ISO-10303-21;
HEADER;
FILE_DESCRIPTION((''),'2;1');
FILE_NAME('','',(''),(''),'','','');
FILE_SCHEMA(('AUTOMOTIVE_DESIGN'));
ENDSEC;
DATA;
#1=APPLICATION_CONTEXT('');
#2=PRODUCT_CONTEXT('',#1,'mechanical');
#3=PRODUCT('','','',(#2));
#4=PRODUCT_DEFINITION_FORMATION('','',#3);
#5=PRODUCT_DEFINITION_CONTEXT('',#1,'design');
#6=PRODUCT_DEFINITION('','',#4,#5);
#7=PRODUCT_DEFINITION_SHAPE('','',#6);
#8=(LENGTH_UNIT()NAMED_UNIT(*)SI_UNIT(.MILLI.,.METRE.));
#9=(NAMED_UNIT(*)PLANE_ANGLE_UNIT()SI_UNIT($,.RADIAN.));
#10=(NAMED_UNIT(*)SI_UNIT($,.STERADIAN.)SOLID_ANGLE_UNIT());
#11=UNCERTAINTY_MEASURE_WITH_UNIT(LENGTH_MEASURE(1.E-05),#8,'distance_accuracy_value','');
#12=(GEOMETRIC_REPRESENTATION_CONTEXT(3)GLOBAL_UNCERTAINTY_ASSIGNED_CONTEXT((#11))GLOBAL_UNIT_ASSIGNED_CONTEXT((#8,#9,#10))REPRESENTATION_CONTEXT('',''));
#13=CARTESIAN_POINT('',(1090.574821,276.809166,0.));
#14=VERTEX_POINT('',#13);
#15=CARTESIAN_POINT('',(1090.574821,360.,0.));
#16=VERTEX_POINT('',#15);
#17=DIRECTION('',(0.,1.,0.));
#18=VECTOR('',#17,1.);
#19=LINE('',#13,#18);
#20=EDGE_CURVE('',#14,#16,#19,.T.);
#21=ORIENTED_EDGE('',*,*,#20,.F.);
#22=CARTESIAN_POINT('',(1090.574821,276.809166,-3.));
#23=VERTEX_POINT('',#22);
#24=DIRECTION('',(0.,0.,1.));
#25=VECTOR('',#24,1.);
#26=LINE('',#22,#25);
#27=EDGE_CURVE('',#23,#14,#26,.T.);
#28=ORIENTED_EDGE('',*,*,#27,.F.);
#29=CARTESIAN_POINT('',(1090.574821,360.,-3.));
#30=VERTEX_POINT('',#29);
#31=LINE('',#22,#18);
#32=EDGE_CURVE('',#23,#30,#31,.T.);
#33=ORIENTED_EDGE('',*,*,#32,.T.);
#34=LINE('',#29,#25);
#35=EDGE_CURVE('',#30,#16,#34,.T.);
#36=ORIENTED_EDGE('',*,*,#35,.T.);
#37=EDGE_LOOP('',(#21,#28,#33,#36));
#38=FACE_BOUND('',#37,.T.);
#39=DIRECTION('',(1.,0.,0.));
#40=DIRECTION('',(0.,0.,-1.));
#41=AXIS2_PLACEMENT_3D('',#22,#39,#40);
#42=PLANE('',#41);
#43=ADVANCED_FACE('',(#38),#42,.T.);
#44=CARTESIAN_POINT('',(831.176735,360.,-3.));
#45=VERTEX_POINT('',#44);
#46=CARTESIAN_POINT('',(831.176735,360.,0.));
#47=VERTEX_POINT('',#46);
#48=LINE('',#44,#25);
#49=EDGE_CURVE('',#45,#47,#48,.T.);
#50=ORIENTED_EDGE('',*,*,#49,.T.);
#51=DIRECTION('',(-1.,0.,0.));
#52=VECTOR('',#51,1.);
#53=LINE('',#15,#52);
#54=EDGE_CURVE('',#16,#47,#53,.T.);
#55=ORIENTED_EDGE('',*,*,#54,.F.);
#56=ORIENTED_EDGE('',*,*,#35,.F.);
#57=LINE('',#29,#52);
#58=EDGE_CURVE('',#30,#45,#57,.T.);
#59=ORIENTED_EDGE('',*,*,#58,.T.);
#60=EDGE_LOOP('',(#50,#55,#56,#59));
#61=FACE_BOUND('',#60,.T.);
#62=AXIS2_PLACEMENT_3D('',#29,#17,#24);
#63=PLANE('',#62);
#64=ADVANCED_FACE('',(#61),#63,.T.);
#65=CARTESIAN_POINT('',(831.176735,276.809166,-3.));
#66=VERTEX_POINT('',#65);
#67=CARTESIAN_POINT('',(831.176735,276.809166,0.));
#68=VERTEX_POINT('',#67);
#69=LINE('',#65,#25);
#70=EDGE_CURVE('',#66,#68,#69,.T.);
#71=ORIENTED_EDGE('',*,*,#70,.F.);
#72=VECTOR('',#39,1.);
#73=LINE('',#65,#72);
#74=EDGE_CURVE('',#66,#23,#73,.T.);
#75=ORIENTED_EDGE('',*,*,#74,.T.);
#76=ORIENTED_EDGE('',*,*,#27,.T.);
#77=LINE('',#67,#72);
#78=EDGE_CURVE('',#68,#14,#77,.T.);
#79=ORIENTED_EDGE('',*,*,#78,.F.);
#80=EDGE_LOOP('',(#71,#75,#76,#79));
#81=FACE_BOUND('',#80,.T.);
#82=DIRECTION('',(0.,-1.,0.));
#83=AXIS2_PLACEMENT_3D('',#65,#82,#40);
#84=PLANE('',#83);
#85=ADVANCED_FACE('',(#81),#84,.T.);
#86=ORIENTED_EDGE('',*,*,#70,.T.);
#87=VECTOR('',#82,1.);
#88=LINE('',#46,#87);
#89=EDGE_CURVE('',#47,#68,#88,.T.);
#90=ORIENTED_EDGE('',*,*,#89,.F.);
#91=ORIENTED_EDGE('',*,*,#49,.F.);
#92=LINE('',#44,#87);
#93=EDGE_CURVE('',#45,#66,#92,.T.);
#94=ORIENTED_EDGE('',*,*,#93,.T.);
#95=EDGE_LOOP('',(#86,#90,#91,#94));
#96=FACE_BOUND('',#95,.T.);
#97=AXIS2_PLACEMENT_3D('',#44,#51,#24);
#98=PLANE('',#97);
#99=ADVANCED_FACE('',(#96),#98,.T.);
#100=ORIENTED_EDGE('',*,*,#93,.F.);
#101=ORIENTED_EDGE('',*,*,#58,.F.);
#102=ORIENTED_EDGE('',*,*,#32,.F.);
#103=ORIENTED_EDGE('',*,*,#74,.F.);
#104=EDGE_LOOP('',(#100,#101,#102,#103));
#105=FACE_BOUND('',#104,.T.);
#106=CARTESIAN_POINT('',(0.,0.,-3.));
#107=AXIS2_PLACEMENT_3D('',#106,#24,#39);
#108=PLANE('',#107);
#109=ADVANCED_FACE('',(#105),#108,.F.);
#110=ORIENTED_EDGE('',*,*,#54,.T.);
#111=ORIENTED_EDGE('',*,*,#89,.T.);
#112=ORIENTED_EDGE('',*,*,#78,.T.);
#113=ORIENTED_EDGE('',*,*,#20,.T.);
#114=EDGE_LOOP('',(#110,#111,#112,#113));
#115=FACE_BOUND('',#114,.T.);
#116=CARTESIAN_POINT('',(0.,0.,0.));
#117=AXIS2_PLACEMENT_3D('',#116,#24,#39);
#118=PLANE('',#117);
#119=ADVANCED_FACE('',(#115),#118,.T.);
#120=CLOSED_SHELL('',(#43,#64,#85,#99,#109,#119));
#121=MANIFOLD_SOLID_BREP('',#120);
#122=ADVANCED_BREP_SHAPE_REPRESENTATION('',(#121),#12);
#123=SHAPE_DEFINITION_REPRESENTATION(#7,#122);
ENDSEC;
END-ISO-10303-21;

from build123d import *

# Parameters (mm, degrees)
SKETCH1_W           = 259.398086837
SKETCH1_H           = 83.19083402
BOSS_EXTRUDE1_DEPTH = 3


with BuildPart() as part:
    # Sketch1 → Boss-Extrude1 (new body)
    with BuildSketch(Plane.XY):
        with Locations((960.875777949, 318.40458299)):
            Rectangle(SKETCH1_W, SKETCH1_H)
    extrude(amount=-BOSS_EXTRUDE1_DEPTH)


solid = part.part
